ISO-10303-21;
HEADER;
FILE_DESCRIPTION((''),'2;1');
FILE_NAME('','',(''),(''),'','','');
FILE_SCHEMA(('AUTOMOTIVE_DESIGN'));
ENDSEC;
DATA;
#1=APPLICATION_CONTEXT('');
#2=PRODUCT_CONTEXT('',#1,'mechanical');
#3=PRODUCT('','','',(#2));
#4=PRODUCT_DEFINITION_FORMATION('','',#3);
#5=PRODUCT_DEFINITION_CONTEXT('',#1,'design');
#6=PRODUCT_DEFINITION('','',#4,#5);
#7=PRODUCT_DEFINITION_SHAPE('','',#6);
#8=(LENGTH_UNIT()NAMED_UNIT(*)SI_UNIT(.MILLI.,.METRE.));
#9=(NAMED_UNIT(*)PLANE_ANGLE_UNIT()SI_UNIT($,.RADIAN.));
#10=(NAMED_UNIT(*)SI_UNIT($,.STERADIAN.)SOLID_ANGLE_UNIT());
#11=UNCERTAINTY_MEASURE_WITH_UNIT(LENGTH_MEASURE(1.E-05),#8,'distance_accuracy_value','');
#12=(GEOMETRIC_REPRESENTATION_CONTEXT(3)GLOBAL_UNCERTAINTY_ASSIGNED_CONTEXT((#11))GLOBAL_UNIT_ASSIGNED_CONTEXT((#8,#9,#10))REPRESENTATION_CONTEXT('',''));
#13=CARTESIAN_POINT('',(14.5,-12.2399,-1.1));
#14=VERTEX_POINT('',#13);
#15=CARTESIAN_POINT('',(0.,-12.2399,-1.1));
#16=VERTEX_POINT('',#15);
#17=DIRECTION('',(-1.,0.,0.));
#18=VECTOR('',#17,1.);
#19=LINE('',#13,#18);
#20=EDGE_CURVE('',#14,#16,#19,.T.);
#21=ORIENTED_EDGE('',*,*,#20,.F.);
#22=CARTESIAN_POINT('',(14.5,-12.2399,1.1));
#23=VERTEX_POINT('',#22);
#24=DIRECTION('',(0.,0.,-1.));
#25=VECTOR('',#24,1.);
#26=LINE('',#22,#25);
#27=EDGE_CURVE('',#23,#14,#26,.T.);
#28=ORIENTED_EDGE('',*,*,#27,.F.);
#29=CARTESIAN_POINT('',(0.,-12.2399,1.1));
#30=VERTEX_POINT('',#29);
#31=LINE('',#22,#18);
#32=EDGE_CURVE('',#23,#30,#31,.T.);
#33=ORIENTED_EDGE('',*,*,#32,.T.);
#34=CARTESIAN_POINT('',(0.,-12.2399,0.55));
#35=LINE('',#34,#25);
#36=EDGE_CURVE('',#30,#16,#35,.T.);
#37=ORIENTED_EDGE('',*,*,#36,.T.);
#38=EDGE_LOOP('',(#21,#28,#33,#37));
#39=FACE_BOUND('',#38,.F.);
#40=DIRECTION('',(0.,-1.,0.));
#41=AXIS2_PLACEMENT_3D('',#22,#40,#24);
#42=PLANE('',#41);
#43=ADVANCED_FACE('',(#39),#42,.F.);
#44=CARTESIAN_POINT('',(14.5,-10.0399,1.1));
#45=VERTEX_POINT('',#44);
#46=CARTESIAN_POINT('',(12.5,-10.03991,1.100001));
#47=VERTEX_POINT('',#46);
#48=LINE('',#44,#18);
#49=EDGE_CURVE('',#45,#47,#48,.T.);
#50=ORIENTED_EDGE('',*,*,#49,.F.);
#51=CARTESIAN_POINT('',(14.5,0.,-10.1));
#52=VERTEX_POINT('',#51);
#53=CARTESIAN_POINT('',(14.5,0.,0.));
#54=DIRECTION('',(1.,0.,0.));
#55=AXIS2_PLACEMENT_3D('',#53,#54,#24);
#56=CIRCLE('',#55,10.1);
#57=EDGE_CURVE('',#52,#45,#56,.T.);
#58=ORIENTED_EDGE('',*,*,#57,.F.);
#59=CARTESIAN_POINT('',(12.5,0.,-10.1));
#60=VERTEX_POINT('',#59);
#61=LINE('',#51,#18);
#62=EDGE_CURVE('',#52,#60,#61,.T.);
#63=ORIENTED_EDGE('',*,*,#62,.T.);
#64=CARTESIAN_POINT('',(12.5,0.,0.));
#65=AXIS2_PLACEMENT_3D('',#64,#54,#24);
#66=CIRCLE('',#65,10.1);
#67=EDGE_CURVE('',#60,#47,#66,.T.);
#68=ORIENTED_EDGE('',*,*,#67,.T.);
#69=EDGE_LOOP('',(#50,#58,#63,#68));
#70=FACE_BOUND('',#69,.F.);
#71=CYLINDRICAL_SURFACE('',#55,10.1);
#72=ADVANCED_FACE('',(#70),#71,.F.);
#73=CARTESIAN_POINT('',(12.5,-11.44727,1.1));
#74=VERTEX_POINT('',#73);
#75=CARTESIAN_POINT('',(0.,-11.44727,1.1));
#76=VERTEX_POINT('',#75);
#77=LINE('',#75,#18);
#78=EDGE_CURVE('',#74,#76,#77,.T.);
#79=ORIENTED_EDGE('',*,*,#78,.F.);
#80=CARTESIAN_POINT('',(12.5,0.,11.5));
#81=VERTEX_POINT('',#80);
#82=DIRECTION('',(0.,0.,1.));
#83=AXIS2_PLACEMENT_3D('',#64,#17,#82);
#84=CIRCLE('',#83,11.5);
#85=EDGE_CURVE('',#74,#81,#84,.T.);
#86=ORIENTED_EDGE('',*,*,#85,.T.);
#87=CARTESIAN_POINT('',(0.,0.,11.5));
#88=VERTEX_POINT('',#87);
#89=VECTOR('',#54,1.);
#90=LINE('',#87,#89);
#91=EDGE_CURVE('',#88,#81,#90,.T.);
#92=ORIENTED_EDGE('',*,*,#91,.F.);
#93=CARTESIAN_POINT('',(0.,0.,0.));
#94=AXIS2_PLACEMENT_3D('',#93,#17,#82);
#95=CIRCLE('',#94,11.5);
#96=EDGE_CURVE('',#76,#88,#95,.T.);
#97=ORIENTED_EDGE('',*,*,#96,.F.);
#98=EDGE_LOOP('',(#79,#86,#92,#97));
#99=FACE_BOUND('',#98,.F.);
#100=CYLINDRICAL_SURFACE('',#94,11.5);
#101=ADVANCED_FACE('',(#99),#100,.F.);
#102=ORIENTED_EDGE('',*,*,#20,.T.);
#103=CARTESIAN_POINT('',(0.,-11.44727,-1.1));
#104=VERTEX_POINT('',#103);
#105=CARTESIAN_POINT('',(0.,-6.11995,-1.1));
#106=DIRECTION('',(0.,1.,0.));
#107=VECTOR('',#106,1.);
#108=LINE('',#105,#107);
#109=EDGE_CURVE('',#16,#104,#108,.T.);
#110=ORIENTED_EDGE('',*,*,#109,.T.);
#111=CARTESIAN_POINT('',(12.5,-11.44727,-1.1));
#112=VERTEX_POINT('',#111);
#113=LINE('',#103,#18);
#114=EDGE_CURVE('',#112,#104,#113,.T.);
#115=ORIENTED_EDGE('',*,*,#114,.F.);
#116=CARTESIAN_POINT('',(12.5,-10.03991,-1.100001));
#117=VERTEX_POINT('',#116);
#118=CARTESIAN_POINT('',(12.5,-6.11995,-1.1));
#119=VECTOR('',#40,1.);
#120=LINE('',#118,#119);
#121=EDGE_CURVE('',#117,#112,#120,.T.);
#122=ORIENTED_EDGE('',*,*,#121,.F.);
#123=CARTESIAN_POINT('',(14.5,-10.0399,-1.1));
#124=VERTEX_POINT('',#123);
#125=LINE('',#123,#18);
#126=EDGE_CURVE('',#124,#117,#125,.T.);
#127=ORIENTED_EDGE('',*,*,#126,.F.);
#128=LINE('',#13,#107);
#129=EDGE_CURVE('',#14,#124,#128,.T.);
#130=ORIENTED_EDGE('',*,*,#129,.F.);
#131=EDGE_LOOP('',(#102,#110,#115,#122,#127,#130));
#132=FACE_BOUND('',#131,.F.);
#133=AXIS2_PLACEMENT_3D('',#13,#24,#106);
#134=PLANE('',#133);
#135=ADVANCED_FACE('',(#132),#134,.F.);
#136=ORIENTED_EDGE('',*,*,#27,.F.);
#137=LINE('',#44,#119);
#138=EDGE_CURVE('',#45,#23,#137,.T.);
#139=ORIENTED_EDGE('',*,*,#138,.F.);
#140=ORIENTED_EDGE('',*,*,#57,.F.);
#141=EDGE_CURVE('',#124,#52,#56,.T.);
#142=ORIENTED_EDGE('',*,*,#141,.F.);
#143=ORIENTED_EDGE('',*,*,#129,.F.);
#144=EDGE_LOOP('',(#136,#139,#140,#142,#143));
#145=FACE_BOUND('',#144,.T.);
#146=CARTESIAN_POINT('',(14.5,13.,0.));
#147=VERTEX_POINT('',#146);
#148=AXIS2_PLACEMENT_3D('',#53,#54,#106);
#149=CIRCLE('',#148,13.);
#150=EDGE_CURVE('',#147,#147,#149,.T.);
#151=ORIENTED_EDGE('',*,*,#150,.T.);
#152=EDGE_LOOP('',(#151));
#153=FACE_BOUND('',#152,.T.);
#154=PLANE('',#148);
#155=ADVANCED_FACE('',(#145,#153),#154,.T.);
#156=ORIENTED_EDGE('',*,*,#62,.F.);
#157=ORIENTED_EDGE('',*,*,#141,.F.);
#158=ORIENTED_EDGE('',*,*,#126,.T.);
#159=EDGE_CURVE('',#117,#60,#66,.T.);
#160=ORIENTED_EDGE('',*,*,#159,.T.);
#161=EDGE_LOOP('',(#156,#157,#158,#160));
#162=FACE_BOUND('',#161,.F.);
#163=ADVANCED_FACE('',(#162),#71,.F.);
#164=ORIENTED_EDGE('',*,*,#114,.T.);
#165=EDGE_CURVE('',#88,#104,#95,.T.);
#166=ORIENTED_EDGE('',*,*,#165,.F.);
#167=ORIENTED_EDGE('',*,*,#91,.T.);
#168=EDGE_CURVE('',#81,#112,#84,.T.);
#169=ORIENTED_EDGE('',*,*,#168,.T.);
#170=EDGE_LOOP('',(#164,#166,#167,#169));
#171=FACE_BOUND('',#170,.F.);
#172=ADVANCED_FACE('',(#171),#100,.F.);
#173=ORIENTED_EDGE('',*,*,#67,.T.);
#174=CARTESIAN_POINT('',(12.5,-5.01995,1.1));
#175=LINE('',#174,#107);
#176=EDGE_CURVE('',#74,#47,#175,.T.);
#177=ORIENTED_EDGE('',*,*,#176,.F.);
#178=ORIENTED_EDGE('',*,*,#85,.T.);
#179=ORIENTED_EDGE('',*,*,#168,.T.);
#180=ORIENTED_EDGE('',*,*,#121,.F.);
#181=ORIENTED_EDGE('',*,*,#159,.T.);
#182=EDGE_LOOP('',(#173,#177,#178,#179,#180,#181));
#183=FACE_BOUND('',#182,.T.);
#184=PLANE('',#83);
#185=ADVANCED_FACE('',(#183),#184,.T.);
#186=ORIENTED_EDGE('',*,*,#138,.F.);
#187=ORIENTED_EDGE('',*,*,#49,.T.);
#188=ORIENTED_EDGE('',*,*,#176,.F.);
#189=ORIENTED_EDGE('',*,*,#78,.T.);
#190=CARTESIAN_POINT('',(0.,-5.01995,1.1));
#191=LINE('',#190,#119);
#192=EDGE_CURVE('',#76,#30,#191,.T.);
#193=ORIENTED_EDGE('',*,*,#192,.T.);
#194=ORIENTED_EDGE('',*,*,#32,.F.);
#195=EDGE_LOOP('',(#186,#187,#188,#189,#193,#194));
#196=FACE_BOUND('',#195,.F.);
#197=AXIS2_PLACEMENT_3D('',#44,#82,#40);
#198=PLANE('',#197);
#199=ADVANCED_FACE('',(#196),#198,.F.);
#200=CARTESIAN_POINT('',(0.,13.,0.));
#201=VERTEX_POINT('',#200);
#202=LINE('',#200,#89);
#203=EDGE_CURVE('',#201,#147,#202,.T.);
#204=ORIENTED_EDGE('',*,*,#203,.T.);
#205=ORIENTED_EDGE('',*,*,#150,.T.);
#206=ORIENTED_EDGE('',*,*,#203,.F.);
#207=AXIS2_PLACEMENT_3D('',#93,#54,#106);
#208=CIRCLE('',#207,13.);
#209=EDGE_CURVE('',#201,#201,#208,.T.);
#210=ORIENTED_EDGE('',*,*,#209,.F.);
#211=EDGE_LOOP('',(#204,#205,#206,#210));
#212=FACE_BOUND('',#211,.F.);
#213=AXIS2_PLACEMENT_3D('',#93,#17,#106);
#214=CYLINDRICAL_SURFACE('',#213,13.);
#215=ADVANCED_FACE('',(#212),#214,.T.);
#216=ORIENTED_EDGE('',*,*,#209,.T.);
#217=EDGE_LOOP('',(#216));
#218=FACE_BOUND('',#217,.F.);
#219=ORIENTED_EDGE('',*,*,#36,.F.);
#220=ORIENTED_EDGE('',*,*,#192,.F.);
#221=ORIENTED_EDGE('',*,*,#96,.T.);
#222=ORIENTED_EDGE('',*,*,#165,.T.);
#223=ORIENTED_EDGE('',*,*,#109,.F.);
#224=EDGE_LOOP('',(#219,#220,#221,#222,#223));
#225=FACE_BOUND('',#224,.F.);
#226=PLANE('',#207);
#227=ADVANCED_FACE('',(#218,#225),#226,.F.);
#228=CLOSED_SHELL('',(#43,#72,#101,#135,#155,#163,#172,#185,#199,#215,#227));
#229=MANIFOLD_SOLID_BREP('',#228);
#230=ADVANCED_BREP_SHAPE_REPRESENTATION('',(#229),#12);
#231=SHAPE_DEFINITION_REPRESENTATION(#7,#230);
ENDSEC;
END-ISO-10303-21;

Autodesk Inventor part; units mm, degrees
ref_plane "YZ Plane" through (0, 0, 0) normal (1, 0, 0) x (0, 1, 0)
ref_plane "XZ Plane" through (0, 0, 0) normal (0, 1, 0) x (-1, 0, 0)
ref_plane "XY Plane" through (0, 0, 0) normal (0, 0, 1) x (1, 0, 0)
sketch "Sketch1" plane through (0, 0, 0) normal (1, 0, 0) x (0, 1, 0)
  circle A0 centre (0, 0) radius 13
  dimension "d0" = 26
extrude "Extrusion1" add sketch "Sketch1" along normal blind 14.5
sketch "Sketch2" plane through (0, 0, 0) normal (-1, 0, 0) x (0, 0, 1)
  circle A0 centre (0, 0) radius 13 projected
  circle A1 centre (0, 0) radius 11.5
  dimension "d3" = 23
extrude "Extrusion2" cut sketch "Sketch2" against normal blind 12.5 contours A1
sketch "Sketch3" plane through (14.5, 0, 0) normal (1, 0, 0) x (0, 0, -1)
  circle A0 centre (0, 0) radius 13 projected
  circle A1 centre (0, 0) radius 10.1
  dimension "d6" = 20.2
extrude "Extrusion3" cut sketch "Sketch3" against normal through all contours A1
sketch "Sketch4" plane through (14.5, 0, 0) normal (1, 0, 0) x (0, 0, -1)
  circle A0 centre (0, 0) radius 10.1 projected
  circle A1 centre (0, 0) radius 13 projected
  circle A2 centre (0, 0) radius 10.1 projected
  line L0 (-1.1, -10.0399) -> (-1.1, -12.2399)
  line L1 (-1.1, -12.2399) -> (1.1, -12.2399)
  line L2 (1.1, -12.2399) -> (1.1, -10.0399)
  dimension "d9" = 2.2
extrude "Extrusion4" cut sketch "Sketch4" against normal through all contours A0 L2 L1 L0
properties part number "Button-NUC-Mount"
